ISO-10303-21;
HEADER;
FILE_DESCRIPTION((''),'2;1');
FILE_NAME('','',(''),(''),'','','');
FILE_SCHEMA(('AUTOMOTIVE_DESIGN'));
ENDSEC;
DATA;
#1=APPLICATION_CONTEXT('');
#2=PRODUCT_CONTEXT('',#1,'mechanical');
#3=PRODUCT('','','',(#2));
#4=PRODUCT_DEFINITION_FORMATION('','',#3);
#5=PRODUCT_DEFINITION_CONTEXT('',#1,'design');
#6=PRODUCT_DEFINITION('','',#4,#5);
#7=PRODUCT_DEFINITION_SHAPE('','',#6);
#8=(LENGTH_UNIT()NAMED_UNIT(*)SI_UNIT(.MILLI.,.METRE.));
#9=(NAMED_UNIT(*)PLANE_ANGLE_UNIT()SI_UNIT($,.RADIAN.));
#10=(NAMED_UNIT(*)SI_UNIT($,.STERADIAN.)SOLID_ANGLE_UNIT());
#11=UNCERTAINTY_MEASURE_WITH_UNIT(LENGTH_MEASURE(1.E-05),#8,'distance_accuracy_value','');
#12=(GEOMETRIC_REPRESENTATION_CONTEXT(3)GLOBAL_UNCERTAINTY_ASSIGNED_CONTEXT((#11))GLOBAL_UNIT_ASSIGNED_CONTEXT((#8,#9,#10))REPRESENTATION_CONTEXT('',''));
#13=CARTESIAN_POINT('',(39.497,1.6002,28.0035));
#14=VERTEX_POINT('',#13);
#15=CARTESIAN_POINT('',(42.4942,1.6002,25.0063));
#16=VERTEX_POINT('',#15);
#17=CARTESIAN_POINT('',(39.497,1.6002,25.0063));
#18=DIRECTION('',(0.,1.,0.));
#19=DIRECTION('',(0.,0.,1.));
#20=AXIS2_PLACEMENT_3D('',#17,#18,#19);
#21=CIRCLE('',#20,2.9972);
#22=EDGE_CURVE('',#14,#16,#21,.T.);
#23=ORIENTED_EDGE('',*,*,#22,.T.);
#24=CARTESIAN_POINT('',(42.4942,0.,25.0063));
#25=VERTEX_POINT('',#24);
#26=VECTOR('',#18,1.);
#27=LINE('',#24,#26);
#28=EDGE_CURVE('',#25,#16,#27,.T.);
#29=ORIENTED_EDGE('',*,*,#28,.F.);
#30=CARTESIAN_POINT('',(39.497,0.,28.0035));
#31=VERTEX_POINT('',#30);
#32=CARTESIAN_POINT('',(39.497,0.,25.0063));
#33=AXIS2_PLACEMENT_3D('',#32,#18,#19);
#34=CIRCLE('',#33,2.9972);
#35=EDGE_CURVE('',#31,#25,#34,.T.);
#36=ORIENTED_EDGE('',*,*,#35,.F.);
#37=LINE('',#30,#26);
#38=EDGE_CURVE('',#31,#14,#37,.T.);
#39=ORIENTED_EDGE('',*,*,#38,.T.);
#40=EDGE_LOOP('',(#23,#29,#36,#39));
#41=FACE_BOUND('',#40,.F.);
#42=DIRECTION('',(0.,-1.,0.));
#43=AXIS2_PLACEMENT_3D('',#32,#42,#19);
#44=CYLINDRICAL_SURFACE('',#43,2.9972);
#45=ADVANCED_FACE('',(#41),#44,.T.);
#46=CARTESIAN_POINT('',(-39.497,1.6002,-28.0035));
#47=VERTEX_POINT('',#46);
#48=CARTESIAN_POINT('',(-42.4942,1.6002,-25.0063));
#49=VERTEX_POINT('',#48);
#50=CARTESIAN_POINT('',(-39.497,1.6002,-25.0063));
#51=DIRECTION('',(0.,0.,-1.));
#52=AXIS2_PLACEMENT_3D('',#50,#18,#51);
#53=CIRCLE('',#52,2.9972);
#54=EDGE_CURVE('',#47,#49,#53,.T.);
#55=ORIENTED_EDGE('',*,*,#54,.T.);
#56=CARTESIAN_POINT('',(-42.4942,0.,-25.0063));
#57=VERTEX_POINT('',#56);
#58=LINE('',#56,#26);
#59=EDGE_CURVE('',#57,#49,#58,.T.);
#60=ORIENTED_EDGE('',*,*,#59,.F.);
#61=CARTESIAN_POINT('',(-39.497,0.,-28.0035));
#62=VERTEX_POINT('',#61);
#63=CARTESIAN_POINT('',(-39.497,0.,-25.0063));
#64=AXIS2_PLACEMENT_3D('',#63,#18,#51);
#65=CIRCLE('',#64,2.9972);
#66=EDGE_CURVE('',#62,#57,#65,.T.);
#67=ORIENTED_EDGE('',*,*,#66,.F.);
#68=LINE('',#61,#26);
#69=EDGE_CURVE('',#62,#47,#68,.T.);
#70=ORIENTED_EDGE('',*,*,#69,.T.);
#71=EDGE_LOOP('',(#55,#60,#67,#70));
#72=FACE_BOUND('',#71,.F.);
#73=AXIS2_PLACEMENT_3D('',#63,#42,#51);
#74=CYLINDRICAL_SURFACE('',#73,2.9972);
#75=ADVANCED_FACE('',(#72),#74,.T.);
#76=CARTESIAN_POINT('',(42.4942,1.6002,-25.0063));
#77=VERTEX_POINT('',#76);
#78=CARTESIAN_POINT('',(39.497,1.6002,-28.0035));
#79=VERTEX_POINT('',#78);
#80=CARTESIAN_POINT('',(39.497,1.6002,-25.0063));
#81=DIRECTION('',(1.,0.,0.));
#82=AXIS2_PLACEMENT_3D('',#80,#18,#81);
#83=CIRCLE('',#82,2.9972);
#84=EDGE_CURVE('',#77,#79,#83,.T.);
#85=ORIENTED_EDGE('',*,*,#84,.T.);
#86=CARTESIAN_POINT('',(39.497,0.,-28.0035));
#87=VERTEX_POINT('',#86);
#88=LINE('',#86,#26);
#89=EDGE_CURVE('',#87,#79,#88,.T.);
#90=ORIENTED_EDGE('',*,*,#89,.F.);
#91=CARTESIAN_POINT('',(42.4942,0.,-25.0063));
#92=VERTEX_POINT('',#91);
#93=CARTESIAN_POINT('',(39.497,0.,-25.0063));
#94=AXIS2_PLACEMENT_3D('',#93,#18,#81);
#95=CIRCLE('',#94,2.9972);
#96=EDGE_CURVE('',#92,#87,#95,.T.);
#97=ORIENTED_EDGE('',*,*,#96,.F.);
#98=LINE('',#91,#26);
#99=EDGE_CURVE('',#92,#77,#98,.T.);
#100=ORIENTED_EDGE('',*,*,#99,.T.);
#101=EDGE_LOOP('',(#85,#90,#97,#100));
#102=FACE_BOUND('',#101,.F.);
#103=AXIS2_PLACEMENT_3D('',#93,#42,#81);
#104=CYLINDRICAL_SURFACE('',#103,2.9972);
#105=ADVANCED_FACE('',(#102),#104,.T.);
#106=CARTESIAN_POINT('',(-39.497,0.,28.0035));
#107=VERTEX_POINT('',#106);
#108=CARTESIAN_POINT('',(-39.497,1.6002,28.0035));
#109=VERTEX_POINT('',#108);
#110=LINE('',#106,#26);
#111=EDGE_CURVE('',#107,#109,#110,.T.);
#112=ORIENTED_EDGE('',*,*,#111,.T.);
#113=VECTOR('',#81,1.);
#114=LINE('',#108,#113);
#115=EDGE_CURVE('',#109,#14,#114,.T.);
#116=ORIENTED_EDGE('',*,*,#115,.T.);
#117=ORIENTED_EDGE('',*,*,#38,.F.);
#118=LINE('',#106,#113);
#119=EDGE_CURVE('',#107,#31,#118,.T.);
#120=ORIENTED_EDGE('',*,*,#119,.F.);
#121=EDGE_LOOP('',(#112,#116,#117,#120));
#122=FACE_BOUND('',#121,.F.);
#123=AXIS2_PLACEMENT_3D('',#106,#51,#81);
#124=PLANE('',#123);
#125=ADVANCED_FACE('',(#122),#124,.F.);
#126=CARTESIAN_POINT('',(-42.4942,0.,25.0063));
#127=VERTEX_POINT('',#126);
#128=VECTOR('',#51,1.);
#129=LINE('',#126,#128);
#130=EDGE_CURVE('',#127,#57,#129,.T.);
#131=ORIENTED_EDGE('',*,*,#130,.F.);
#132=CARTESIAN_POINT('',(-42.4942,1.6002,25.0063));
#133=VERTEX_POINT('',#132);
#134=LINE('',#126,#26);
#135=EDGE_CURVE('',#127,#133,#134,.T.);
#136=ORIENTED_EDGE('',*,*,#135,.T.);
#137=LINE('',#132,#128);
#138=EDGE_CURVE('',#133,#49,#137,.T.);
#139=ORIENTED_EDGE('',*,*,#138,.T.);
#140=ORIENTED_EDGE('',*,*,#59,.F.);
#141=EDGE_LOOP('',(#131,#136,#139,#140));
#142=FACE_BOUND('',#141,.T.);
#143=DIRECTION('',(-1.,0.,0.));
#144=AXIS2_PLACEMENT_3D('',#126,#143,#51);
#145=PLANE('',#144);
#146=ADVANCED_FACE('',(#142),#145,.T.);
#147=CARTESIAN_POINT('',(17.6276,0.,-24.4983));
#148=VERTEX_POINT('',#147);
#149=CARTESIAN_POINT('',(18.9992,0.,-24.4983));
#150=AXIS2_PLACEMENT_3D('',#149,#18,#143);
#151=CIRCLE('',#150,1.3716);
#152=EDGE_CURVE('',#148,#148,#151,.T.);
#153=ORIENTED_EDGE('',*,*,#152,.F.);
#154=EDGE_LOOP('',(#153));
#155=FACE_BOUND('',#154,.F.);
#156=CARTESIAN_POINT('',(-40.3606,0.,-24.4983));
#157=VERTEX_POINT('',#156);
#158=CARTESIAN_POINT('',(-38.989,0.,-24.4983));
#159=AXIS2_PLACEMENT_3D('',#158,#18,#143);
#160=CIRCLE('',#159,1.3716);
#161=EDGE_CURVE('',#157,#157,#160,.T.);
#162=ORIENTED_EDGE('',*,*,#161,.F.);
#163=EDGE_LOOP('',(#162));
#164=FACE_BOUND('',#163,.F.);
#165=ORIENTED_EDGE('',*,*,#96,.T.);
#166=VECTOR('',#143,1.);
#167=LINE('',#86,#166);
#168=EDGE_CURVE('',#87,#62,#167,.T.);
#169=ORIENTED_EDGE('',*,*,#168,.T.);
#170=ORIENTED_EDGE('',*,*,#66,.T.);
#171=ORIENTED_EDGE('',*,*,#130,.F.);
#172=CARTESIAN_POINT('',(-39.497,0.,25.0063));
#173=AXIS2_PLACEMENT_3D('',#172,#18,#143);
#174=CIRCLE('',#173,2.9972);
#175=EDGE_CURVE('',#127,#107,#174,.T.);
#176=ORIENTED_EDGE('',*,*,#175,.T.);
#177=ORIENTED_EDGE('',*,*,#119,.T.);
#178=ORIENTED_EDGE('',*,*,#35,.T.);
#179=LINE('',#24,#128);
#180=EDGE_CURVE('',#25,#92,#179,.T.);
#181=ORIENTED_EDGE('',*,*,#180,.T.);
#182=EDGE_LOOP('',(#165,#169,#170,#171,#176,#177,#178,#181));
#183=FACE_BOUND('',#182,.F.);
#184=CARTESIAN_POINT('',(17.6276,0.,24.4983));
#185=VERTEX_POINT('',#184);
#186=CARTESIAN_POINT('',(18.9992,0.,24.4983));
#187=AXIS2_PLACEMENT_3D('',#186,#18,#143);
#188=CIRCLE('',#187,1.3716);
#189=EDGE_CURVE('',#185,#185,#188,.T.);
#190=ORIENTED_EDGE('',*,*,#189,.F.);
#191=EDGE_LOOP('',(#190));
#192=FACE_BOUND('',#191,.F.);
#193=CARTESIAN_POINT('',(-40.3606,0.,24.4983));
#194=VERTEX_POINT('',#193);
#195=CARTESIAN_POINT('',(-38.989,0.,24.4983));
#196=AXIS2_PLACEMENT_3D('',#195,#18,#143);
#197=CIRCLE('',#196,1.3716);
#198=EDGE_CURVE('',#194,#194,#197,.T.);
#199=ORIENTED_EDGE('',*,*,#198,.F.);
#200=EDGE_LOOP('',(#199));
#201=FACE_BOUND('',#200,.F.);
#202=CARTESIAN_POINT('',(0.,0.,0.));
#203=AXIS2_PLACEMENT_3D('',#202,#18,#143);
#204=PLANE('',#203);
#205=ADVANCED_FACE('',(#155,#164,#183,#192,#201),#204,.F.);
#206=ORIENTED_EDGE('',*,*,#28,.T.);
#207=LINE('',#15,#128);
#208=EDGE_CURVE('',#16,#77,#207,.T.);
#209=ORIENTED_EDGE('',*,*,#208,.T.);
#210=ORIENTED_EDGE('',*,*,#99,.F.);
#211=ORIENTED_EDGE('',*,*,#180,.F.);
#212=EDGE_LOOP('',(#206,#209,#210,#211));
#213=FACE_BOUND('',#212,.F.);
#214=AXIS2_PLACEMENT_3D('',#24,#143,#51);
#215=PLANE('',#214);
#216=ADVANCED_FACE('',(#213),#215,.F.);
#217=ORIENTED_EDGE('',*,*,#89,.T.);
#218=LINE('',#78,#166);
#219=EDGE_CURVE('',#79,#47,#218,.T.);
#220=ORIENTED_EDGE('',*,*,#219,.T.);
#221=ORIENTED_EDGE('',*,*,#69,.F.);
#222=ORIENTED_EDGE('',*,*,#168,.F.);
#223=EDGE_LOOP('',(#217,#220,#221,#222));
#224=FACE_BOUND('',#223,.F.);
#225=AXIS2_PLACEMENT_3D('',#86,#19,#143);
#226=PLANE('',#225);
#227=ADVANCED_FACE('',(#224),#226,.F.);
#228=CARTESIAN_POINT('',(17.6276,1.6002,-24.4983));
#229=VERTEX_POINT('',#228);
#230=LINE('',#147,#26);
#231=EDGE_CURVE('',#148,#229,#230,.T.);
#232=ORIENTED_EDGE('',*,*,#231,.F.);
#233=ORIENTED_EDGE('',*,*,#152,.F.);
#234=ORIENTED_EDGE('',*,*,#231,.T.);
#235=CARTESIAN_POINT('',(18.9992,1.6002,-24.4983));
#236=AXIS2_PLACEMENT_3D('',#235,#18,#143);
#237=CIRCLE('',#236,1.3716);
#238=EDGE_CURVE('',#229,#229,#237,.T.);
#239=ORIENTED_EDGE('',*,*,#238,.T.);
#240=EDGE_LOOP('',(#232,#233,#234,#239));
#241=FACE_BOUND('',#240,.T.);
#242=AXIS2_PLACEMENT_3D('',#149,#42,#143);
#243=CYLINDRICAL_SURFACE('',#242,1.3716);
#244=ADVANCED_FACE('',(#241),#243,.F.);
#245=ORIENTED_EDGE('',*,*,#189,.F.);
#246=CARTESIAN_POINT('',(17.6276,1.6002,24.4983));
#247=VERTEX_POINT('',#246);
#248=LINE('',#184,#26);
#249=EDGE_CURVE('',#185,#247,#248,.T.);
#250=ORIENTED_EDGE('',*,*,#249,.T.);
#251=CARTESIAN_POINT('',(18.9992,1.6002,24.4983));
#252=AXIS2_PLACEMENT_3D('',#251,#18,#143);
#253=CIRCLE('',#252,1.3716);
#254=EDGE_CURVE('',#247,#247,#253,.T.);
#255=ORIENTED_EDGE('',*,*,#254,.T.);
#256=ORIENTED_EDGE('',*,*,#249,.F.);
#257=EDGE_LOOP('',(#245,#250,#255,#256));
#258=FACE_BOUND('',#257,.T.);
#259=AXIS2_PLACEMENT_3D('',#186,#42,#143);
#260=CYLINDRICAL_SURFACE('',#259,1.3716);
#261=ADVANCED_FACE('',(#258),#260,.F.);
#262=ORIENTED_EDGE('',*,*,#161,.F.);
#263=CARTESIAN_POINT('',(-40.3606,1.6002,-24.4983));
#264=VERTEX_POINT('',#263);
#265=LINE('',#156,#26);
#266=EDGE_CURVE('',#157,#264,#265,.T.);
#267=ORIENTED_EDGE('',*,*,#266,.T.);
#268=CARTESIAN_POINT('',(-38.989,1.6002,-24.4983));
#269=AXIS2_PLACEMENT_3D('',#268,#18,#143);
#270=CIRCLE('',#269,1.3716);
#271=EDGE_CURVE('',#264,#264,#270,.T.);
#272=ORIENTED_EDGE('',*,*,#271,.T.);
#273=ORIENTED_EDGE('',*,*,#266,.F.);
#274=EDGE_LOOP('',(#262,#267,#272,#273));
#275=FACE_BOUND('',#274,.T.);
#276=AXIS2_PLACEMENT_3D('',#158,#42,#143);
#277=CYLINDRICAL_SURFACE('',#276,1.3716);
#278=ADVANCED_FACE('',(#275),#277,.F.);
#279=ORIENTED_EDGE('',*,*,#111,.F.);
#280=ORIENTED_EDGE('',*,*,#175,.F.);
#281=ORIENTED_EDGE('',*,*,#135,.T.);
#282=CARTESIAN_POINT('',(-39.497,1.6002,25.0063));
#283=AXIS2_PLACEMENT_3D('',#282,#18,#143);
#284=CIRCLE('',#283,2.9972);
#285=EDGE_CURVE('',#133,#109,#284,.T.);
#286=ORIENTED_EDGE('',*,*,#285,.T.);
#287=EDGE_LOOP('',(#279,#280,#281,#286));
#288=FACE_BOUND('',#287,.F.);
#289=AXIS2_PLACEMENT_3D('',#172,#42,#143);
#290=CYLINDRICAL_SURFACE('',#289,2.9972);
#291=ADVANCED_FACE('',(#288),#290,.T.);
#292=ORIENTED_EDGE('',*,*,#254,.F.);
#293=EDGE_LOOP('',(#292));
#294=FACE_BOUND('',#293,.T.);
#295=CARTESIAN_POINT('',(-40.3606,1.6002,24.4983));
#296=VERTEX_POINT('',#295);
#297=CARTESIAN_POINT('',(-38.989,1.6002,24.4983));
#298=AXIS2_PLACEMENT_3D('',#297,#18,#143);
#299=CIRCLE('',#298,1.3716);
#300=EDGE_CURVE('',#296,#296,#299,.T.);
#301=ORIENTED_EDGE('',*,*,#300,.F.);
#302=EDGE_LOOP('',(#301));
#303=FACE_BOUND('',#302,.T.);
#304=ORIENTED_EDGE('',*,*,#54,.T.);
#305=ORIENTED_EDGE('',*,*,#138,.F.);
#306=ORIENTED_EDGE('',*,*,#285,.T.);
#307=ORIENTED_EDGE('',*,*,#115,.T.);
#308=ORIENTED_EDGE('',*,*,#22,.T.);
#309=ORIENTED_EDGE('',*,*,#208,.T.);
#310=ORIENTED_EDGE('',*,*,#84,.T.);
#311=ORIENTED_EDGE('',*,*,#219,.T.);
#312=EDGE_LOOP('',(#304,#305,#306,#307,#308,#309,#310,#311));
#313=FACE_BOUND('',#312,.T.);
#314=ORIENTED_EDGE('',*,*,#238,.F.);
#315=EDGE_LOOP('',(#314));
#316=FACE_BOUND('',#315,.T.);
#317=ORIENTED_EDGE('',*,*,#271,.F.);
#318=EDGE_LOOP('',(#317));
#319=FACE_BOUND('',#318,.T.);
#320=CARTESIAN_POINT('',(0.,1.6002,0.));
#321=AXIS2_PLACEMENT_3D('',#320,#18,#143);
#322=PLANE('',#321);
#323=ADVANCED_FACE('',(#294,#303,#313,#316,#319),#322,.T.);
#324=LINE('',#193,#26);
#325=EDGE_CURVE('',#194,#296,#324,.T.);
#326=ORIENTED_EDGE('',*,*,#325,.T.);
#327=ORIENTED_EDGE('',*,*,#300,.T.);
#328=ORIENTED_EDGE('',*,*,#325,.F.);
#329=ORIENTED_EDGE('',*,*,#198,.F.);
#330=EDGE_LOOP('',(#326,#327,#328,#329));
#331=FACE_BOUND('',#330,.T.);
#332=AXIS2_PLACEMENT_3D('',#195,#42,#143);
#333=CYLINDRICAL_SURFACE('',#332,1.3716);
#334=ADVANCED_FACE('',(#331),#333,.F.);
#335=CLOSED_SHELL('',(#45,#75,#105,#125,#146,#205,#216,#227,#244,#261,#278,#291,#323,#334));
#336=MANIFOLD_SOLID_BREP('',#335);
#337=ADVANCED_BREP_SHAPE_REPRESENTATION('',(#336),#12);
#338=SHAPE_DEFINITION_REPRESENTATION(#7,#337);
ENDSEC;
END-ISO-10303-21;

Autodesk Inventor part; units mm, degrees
ref_plane "YZ Plane" through (0, 0, 0) normal (1, 0, 0) x (0, 1, 0)
ref_plane "XZ Plane" through (0, 0, 0) normal (0, 1, 0) x (-1, 0, 0)
ref_plane "XY Plane" through (0, 0, 0) normal (0, 0, 1) x (1, 0, 0)
sketch "Sketch1" plane through (0, 0, 0) normal (0, 1, 0) x (-1, 0, 0)
  line L0 (42.4942, 28.0035) -> (-42.4942, 28.0035) construction
  line L1 (-42.4942, 28.0035) -> (-42.4942, -28.0035) construction
  line L2 (-42.4942, -28.0035) -> (42.4942, -28.0035) construction
  line L3 (42.4942, -28.0035) -> (42.4942, 28.0035) construction
  line L4 (0, -40.0739) -> (0, 40.0739) construction
  line L5 (60.3609, 0) -> (-60.3609, 0) construction
  circle A0 centre (38.989, -24.4983) radius 1.3716
  circle A1 centre (-18.9992, -24.4983) radius 1.3716
  circle A2 centre (-18.9992, 24.4983) radius 1.3716
  circle A3 centre (38.989, 24.4983) radius 1.3716
  line L6 (42.4942, 25.0063) -> (42.4942, -25.0063)
  line L7 (39.497, 28.0035) -> (-39.497, 28.0035)
  line L8 (-42.4942, 25.0063) -> (-42.4942, -25.0063)
  line L9 (-39.497, -28.0035) -> (39.497, -28.0035)
  arc A4 (42.4942, 25.0063) -> (39.497, 28.0035) centre (39.497, 25.0063) ccw
  arc A5 (39.497, -28.0035) -> (42.4942, -25.0063) centre (39.497, -25.0063) ccw
  arc A6 (-42.4942, -25.0063) -> (-39.497, -28.0035) centre (-39.497, -25.0063) ccw
  arc A7 (-39.497, 28.0035) -> (-42.4942, 25.0063) centre (-39.497, 25.0063) ccw
  point P0 (0, 0)
  dimension "d0" = 84.9884
  dimension "d1" = 56.007
  dimension "d2" = 0
  dimension "d3" = 0
  dimension "d4" = 0
  dimension "d5" = 0
  dimension "d6" = 2.7432
  dimension "d7" = 3.5052
  dimension "d8" = 3.5052
  dimension "d9" = 3.5052
  dimension "d10" = 57.9882
  dimension "d11" = 2.9972
  dimension "d12" = 2.9972
  dimension "d13" = 2.9972
  dimension "d14" = 2.9972
  dimension "d15" = 2.9972
  dimension "d16" = 2.9972
  dimension "d17" = 2.9972
  dimension "d18" = 2.9972
extrude "Extrusion1" add sketch "Sketch1" along normal blind 1.6002
properties part number "Raspberry-Pi-3B[with_Screen]"
